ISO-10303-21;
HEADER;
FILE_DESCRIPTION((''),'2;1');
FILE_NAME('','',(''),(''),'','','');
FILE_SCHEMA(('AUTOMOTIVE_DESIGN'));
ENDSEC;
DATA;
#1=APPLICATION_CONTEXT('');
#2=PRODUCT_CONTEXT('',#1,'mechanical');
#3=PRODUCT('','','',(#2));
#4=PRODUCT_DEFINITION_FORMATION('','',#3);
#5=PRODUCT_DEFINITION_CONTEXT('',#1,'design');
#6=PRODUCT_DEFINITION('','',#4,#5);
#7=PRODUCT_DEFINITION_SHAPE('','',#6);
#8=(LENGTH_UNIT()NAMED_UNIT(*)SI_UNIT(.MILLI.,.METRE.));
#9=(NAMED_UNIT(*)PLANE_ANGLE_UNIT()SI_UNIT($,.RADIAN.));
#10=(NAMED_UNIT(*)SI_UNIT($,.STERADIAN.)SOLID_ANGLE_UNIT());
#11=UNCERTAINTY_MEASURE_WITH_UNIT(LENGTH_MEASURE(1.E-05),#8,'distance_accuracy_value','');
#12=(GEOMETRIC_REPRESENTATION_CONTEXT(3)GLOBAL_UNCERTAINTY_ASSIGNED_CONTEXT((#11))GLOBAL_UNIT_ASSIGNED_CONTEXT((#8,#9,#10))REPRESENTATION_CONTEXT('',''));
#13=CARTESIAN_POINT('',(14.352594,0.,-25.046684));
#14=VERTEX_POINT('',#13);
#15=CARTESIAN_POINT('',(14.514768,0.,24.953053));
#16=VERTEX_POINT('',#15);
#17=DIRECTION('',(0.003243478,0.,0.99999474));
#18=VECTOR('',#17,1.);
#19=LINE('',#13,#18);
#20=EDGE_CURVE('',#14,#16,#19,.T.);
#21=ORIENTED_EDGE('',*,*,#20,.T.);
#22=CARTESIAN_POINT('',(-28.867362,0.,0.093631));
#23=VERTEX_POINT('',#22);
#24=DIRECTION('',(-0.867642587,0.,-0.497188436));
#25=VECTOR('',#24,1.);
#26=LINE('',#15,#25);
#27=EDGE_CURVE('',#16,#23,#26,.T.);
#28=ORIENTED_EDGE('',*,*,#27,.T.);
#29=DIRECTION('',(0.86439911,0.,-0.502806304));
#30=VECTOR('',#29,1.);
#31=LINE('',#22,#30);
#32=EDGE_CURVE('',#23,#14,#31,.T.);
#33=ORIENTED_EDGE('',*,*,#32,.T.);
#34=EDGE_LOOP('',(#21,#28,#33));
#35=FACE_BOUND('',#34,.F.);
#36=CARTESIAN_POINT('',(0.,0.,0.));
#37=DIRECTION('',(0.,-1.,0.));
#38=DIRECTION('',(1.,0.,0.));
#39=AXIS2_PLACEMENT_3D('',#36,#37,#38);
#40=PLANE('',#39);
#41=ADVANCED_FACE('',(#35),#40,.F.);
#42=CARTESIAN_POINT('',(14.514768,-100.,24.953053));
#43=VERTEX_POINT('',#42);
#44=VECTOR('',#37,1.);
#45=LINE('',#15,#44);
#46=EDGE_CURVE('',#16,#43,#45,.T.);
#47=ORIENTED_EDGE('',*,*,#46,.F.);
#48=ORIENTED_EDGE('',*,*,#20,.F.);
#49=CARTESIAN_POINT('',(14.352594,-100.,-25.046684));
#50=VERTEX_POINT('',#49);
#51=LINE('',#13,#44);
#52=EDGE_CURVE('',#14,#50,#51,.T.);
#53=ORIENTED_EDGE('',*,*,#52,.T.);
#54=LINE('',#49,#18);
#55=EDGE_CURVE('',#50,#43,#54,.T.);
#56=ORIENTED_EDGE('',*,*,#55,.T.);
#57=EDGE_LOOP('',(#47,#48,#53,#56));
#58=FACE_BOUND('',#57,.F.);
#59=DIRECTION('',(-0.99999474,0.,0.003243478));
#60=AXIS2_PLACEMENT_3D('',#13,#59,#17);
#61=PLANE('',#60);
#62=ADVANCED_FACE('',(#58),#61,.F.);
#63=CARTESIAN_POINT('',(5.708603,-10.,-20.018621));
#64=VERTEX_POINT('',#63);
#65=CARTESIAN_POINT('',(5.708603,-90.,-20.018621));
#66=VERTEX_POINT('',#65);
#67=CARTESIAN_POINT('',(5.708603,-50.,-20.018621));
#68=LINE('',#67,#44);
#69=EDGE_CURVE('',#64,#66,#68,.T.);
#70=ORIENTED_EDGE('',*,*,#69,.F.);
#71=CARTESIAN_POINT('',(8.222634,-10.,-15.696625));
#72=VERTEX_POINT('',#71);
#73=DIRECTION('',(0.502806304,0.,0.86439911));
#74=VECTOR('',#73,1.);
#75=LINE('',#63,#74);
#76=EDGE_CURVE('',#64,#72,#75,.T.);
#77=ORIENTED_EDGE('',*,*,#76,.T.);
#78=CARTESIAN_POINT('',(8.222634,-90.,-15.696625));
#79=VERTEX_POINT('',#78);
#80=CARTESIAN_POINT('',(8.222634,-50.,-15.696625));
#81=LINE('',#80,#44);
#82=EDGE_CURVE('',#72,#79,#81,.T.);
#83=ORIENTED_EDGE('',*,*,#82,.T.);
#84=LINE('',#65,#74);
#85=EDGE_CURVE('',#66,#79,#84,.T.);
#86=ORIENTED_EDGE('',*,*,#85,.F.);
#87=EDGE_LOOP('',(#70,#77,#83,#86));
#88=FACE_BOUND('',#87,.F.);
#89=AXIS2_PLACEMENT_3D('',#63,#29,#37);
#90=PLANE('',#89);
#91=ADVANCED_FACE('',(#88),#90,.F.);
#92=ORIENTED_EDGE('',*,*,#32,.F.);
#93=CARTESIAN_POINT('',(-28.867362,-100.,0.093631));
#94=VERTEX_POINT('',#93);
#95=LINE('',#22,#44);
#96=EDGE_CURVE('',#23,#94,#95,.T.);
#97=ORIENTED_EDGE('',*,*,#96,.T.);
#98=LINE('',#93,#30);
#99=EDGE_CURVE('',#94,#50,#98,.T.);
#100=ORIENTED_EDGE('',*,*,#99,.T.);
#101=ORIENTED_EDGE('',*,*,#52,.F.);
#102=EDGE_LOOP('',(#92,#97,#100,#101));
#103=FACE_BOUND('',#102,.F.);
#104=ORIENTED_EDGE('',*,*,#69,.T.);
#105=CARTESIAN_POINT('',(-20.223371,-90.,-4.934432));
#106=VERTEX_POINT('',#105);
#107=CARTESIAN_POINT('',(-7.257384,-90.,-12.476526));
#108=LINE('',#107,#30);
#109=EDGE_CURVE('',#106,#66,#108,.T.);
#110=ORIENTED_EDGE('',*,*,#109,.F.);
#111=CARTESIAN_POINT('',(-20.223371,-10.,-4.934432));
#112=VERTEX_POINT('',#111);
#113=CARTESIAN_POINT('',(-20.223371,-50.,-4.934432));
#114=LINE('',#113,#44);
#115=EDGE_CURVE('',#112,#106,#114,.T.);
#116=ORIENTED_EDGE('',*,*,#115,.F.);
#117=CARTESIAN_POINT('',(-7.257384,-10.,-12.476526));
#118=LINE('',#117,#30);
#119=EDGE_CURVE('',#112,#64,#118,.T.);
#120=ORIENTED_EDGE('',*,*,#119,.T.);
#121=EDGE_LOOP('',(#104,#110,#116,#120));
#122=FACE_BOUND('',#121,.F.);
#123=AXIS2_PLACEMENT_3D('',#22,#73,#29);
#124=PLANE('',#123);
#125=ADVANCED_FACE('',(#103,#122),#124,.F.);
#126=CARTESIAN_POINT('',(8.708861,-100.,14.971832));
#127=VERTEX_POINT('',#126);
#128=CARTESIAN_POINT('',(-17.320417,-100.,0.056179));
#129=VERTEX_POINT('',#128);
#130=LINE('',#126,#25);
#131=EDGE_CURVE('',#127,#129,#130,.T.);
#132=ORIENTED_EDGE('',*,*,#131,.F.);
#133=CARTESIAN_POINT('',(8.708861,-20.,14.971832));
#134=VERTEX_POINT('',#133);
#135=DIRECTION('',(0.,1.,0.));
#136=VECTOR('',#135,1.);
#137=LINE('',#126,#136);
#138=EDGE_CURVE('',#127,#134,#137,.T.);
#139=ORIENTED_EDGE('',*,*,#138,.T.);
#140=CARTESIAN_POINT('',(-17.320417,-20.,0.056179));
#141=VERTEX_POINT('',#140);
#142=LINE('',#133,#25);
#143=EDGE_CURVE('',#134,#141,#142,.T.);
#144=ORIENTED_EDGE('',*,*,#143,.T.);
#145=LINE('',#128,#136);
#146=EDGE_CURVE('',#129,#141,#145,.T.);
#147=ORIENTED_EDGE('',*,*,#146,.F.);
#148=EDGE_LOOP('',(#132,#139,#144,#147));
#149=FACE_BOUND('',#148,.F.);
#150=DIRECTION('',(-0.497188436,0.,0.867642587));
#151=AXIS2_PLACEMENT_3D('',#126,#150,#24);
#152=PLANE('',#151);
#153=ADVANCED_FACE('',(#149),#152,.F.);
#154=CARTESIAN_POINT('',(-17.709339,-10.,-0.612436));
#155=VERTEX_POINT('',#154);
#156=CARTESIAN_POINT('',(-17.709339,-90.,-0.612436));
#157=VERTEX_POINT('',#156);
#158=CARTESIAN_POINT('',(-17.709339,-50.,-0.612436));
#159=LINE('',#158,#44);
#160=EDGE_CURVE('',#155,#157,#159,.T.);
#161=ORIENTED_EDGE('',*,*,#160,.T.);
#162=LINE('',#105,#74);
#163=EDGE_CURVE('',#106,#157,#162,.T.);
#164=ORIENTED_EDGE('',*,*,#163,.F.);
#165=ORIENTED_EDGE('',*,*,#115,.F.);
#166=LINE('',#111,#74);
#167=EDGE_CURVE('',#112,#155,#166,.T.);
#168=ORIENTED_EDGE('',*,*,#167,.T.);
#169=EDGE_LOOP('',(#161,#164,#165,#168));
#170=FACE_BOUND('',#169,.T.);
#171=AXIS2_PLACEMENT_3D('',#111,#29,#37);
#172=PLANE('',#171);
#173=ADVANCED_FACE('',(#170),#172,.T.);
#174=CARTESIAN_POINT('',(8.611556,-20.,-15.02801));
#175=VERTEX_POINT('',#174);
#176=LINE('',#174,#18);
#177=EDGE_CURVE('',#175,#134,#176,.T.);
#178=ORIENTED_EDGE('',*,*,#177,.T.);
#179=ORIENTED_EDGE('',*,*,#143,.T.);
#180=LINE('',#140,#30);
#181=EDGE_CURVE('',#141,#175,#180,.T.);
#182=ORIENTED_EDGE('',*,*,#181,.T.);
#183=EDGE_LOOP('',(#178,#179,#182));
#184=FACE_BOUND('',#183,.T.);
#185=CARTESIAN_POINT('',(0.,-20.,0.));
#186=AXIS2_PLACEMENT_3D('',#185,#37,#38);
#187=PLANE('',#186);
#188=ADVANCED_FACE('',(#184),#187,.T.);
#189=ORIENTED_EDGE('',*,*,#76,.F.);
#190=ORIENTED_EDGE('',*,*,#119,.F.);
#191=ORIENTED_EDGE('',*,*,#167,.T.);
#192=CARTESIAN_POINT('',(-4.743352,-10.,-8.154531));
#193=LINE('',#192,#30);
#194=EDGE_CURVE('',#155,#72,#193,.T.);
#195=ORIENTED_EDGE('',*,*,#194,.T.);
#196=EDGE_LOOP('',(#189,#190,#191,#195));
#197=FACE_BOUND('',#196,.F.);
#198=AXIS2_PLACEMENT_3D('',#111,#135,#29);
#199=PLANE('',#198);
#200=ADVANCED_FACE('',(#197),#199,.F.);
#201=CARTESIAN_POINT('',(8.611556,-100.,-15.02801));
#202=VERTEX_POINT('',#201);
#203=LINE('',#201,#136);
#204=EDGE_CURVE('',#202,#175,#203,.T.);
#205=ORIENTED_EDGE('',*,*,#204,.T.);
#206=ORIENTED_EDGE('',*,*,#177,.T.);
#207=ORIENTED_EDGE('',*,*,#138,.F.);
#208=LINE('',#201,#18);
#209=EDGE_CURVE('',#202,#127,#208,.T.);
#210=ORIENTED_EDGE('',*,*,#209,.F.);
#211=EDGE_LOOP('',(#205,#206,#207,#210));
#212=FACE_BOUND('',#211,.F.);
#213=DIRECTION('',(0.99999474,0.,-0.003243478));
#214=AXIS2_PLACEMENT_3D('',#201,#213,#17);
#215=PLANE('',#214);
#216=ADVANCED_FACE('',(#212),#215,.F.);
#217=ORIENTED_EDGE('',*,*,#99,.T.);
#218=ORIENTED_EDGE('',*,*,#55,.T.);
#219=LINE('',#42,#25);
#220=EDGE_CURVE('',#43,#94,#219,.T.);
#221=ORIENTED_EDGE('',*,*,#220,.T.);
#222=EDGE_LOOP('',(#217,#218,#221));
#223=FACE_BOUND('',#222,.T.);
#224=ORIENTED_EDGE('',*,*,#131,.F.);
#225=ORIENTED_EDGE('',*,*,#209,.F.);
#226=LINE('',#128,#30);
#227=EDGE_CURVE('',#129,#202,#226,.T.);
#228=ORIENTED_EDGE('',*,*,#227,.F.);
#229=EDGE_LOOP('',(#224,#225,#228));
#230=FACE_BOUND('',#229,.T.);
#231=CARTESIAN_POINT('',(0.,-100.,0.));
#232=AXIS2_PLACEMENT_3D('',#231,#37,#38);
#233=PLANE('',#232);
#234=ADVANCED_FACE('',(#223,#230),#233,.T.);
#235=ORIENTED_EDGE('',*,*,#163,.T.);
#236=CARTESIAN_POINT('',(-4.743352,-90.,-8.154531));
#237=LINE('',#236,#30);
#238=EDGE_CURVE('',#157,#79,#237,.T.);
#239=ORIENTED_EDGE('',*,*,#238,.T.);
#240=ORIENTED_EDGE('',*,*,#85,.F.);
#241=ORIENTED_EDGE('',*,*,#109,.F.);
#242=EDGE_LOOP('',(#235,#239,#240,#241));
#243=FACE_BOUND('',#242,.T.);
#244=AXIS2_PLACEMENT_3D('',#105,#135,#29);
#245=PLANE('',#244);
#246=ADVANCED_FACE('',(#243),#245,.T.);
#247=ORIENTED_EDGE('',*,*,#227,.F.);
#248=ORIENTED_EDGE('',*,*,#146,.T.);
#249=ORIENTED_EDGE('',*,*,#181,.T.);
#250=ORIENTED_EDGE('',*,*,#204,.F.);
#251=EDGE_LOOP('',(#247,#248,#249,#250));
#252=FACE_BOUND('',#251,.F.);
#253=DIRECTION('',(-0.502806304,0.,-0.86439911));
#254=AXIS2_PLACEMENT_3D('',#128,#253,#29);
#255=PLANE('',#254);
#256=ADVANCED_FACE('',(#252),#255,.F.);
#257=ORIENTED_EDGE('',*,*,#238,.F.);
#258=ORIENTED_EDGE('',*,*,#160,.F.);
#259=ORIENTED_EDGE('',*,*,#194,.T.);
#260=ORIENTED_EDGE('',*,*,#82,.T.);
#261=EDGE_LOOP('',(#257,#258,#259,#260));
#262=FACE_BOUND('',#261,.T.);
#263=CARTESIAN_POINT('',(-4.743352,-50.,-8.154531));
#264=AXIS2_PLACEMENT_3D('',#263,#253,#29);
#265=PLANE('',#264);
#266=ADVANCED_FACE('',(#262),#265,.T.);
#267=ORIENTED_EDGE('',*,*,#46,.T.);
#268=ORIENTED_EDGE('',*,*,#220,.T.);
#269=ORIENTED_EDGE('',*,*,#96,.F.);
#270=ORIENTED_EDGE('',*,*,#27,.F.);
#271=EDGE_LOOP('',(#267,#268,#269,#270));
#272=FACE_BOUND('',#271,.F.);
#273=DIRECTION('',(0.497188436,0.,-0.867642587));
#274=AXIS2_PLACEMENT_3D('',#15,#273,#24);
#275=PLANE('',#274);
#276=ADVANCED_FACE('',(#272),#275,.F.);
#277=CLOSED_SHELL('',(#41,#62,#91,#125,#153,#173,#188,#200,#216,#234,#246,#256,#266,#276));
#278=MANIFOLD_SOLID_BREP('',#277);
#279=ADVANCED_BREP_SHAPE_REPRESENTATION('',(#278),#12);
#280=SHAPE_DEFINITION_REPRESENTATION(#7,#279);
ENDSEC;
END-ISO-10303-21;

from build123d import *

# Parameters (mm, degrees)
F1_DEPTH = 100
F2_W     = 30
F2_H     = 80
F3_DEPTH = 5
F5_DEPTH = 80


with BuildPart() as f1:
    # F0 (on Front) → F1 (new body)
    with BuildSketch(Plane.XZ):
        Polygon((14.5147677447, 24.9530529325), (-28.8673616138, 0.0936311307), (14.3525938692, -25.0466840632), align=None)
    extrude(amount=F1_DEPTH)

    # F2 (on face) → F3 (cut)
    with BuildSketch(Plane(origin=(-7.2573838723, 0, -12.4765264662), x_dir=(0.8643991097, 0, -0.5028063039), z_dir=(-0.5028063039, 0, -0.8643991097))):
        with Locations((0, 50)):
            Rectangle(F2_W, F2_H)
    extrude(amount=-F3_DEPTH, mode=Mode.SUBTRACT)

    # F4 (on face) → F5 (cut)
    with BuildSketch(Plane.XZ.offset(100)):
        Polygon((8.7088606468, 14.9718317595), (-17.3204169683, 0.0561786784), (8.6115563215, -15.0280104379), align=None)
    extrude(amount=-F5_DEPTH, mode=Mode.SUBTRACT)


solid = f1.part
